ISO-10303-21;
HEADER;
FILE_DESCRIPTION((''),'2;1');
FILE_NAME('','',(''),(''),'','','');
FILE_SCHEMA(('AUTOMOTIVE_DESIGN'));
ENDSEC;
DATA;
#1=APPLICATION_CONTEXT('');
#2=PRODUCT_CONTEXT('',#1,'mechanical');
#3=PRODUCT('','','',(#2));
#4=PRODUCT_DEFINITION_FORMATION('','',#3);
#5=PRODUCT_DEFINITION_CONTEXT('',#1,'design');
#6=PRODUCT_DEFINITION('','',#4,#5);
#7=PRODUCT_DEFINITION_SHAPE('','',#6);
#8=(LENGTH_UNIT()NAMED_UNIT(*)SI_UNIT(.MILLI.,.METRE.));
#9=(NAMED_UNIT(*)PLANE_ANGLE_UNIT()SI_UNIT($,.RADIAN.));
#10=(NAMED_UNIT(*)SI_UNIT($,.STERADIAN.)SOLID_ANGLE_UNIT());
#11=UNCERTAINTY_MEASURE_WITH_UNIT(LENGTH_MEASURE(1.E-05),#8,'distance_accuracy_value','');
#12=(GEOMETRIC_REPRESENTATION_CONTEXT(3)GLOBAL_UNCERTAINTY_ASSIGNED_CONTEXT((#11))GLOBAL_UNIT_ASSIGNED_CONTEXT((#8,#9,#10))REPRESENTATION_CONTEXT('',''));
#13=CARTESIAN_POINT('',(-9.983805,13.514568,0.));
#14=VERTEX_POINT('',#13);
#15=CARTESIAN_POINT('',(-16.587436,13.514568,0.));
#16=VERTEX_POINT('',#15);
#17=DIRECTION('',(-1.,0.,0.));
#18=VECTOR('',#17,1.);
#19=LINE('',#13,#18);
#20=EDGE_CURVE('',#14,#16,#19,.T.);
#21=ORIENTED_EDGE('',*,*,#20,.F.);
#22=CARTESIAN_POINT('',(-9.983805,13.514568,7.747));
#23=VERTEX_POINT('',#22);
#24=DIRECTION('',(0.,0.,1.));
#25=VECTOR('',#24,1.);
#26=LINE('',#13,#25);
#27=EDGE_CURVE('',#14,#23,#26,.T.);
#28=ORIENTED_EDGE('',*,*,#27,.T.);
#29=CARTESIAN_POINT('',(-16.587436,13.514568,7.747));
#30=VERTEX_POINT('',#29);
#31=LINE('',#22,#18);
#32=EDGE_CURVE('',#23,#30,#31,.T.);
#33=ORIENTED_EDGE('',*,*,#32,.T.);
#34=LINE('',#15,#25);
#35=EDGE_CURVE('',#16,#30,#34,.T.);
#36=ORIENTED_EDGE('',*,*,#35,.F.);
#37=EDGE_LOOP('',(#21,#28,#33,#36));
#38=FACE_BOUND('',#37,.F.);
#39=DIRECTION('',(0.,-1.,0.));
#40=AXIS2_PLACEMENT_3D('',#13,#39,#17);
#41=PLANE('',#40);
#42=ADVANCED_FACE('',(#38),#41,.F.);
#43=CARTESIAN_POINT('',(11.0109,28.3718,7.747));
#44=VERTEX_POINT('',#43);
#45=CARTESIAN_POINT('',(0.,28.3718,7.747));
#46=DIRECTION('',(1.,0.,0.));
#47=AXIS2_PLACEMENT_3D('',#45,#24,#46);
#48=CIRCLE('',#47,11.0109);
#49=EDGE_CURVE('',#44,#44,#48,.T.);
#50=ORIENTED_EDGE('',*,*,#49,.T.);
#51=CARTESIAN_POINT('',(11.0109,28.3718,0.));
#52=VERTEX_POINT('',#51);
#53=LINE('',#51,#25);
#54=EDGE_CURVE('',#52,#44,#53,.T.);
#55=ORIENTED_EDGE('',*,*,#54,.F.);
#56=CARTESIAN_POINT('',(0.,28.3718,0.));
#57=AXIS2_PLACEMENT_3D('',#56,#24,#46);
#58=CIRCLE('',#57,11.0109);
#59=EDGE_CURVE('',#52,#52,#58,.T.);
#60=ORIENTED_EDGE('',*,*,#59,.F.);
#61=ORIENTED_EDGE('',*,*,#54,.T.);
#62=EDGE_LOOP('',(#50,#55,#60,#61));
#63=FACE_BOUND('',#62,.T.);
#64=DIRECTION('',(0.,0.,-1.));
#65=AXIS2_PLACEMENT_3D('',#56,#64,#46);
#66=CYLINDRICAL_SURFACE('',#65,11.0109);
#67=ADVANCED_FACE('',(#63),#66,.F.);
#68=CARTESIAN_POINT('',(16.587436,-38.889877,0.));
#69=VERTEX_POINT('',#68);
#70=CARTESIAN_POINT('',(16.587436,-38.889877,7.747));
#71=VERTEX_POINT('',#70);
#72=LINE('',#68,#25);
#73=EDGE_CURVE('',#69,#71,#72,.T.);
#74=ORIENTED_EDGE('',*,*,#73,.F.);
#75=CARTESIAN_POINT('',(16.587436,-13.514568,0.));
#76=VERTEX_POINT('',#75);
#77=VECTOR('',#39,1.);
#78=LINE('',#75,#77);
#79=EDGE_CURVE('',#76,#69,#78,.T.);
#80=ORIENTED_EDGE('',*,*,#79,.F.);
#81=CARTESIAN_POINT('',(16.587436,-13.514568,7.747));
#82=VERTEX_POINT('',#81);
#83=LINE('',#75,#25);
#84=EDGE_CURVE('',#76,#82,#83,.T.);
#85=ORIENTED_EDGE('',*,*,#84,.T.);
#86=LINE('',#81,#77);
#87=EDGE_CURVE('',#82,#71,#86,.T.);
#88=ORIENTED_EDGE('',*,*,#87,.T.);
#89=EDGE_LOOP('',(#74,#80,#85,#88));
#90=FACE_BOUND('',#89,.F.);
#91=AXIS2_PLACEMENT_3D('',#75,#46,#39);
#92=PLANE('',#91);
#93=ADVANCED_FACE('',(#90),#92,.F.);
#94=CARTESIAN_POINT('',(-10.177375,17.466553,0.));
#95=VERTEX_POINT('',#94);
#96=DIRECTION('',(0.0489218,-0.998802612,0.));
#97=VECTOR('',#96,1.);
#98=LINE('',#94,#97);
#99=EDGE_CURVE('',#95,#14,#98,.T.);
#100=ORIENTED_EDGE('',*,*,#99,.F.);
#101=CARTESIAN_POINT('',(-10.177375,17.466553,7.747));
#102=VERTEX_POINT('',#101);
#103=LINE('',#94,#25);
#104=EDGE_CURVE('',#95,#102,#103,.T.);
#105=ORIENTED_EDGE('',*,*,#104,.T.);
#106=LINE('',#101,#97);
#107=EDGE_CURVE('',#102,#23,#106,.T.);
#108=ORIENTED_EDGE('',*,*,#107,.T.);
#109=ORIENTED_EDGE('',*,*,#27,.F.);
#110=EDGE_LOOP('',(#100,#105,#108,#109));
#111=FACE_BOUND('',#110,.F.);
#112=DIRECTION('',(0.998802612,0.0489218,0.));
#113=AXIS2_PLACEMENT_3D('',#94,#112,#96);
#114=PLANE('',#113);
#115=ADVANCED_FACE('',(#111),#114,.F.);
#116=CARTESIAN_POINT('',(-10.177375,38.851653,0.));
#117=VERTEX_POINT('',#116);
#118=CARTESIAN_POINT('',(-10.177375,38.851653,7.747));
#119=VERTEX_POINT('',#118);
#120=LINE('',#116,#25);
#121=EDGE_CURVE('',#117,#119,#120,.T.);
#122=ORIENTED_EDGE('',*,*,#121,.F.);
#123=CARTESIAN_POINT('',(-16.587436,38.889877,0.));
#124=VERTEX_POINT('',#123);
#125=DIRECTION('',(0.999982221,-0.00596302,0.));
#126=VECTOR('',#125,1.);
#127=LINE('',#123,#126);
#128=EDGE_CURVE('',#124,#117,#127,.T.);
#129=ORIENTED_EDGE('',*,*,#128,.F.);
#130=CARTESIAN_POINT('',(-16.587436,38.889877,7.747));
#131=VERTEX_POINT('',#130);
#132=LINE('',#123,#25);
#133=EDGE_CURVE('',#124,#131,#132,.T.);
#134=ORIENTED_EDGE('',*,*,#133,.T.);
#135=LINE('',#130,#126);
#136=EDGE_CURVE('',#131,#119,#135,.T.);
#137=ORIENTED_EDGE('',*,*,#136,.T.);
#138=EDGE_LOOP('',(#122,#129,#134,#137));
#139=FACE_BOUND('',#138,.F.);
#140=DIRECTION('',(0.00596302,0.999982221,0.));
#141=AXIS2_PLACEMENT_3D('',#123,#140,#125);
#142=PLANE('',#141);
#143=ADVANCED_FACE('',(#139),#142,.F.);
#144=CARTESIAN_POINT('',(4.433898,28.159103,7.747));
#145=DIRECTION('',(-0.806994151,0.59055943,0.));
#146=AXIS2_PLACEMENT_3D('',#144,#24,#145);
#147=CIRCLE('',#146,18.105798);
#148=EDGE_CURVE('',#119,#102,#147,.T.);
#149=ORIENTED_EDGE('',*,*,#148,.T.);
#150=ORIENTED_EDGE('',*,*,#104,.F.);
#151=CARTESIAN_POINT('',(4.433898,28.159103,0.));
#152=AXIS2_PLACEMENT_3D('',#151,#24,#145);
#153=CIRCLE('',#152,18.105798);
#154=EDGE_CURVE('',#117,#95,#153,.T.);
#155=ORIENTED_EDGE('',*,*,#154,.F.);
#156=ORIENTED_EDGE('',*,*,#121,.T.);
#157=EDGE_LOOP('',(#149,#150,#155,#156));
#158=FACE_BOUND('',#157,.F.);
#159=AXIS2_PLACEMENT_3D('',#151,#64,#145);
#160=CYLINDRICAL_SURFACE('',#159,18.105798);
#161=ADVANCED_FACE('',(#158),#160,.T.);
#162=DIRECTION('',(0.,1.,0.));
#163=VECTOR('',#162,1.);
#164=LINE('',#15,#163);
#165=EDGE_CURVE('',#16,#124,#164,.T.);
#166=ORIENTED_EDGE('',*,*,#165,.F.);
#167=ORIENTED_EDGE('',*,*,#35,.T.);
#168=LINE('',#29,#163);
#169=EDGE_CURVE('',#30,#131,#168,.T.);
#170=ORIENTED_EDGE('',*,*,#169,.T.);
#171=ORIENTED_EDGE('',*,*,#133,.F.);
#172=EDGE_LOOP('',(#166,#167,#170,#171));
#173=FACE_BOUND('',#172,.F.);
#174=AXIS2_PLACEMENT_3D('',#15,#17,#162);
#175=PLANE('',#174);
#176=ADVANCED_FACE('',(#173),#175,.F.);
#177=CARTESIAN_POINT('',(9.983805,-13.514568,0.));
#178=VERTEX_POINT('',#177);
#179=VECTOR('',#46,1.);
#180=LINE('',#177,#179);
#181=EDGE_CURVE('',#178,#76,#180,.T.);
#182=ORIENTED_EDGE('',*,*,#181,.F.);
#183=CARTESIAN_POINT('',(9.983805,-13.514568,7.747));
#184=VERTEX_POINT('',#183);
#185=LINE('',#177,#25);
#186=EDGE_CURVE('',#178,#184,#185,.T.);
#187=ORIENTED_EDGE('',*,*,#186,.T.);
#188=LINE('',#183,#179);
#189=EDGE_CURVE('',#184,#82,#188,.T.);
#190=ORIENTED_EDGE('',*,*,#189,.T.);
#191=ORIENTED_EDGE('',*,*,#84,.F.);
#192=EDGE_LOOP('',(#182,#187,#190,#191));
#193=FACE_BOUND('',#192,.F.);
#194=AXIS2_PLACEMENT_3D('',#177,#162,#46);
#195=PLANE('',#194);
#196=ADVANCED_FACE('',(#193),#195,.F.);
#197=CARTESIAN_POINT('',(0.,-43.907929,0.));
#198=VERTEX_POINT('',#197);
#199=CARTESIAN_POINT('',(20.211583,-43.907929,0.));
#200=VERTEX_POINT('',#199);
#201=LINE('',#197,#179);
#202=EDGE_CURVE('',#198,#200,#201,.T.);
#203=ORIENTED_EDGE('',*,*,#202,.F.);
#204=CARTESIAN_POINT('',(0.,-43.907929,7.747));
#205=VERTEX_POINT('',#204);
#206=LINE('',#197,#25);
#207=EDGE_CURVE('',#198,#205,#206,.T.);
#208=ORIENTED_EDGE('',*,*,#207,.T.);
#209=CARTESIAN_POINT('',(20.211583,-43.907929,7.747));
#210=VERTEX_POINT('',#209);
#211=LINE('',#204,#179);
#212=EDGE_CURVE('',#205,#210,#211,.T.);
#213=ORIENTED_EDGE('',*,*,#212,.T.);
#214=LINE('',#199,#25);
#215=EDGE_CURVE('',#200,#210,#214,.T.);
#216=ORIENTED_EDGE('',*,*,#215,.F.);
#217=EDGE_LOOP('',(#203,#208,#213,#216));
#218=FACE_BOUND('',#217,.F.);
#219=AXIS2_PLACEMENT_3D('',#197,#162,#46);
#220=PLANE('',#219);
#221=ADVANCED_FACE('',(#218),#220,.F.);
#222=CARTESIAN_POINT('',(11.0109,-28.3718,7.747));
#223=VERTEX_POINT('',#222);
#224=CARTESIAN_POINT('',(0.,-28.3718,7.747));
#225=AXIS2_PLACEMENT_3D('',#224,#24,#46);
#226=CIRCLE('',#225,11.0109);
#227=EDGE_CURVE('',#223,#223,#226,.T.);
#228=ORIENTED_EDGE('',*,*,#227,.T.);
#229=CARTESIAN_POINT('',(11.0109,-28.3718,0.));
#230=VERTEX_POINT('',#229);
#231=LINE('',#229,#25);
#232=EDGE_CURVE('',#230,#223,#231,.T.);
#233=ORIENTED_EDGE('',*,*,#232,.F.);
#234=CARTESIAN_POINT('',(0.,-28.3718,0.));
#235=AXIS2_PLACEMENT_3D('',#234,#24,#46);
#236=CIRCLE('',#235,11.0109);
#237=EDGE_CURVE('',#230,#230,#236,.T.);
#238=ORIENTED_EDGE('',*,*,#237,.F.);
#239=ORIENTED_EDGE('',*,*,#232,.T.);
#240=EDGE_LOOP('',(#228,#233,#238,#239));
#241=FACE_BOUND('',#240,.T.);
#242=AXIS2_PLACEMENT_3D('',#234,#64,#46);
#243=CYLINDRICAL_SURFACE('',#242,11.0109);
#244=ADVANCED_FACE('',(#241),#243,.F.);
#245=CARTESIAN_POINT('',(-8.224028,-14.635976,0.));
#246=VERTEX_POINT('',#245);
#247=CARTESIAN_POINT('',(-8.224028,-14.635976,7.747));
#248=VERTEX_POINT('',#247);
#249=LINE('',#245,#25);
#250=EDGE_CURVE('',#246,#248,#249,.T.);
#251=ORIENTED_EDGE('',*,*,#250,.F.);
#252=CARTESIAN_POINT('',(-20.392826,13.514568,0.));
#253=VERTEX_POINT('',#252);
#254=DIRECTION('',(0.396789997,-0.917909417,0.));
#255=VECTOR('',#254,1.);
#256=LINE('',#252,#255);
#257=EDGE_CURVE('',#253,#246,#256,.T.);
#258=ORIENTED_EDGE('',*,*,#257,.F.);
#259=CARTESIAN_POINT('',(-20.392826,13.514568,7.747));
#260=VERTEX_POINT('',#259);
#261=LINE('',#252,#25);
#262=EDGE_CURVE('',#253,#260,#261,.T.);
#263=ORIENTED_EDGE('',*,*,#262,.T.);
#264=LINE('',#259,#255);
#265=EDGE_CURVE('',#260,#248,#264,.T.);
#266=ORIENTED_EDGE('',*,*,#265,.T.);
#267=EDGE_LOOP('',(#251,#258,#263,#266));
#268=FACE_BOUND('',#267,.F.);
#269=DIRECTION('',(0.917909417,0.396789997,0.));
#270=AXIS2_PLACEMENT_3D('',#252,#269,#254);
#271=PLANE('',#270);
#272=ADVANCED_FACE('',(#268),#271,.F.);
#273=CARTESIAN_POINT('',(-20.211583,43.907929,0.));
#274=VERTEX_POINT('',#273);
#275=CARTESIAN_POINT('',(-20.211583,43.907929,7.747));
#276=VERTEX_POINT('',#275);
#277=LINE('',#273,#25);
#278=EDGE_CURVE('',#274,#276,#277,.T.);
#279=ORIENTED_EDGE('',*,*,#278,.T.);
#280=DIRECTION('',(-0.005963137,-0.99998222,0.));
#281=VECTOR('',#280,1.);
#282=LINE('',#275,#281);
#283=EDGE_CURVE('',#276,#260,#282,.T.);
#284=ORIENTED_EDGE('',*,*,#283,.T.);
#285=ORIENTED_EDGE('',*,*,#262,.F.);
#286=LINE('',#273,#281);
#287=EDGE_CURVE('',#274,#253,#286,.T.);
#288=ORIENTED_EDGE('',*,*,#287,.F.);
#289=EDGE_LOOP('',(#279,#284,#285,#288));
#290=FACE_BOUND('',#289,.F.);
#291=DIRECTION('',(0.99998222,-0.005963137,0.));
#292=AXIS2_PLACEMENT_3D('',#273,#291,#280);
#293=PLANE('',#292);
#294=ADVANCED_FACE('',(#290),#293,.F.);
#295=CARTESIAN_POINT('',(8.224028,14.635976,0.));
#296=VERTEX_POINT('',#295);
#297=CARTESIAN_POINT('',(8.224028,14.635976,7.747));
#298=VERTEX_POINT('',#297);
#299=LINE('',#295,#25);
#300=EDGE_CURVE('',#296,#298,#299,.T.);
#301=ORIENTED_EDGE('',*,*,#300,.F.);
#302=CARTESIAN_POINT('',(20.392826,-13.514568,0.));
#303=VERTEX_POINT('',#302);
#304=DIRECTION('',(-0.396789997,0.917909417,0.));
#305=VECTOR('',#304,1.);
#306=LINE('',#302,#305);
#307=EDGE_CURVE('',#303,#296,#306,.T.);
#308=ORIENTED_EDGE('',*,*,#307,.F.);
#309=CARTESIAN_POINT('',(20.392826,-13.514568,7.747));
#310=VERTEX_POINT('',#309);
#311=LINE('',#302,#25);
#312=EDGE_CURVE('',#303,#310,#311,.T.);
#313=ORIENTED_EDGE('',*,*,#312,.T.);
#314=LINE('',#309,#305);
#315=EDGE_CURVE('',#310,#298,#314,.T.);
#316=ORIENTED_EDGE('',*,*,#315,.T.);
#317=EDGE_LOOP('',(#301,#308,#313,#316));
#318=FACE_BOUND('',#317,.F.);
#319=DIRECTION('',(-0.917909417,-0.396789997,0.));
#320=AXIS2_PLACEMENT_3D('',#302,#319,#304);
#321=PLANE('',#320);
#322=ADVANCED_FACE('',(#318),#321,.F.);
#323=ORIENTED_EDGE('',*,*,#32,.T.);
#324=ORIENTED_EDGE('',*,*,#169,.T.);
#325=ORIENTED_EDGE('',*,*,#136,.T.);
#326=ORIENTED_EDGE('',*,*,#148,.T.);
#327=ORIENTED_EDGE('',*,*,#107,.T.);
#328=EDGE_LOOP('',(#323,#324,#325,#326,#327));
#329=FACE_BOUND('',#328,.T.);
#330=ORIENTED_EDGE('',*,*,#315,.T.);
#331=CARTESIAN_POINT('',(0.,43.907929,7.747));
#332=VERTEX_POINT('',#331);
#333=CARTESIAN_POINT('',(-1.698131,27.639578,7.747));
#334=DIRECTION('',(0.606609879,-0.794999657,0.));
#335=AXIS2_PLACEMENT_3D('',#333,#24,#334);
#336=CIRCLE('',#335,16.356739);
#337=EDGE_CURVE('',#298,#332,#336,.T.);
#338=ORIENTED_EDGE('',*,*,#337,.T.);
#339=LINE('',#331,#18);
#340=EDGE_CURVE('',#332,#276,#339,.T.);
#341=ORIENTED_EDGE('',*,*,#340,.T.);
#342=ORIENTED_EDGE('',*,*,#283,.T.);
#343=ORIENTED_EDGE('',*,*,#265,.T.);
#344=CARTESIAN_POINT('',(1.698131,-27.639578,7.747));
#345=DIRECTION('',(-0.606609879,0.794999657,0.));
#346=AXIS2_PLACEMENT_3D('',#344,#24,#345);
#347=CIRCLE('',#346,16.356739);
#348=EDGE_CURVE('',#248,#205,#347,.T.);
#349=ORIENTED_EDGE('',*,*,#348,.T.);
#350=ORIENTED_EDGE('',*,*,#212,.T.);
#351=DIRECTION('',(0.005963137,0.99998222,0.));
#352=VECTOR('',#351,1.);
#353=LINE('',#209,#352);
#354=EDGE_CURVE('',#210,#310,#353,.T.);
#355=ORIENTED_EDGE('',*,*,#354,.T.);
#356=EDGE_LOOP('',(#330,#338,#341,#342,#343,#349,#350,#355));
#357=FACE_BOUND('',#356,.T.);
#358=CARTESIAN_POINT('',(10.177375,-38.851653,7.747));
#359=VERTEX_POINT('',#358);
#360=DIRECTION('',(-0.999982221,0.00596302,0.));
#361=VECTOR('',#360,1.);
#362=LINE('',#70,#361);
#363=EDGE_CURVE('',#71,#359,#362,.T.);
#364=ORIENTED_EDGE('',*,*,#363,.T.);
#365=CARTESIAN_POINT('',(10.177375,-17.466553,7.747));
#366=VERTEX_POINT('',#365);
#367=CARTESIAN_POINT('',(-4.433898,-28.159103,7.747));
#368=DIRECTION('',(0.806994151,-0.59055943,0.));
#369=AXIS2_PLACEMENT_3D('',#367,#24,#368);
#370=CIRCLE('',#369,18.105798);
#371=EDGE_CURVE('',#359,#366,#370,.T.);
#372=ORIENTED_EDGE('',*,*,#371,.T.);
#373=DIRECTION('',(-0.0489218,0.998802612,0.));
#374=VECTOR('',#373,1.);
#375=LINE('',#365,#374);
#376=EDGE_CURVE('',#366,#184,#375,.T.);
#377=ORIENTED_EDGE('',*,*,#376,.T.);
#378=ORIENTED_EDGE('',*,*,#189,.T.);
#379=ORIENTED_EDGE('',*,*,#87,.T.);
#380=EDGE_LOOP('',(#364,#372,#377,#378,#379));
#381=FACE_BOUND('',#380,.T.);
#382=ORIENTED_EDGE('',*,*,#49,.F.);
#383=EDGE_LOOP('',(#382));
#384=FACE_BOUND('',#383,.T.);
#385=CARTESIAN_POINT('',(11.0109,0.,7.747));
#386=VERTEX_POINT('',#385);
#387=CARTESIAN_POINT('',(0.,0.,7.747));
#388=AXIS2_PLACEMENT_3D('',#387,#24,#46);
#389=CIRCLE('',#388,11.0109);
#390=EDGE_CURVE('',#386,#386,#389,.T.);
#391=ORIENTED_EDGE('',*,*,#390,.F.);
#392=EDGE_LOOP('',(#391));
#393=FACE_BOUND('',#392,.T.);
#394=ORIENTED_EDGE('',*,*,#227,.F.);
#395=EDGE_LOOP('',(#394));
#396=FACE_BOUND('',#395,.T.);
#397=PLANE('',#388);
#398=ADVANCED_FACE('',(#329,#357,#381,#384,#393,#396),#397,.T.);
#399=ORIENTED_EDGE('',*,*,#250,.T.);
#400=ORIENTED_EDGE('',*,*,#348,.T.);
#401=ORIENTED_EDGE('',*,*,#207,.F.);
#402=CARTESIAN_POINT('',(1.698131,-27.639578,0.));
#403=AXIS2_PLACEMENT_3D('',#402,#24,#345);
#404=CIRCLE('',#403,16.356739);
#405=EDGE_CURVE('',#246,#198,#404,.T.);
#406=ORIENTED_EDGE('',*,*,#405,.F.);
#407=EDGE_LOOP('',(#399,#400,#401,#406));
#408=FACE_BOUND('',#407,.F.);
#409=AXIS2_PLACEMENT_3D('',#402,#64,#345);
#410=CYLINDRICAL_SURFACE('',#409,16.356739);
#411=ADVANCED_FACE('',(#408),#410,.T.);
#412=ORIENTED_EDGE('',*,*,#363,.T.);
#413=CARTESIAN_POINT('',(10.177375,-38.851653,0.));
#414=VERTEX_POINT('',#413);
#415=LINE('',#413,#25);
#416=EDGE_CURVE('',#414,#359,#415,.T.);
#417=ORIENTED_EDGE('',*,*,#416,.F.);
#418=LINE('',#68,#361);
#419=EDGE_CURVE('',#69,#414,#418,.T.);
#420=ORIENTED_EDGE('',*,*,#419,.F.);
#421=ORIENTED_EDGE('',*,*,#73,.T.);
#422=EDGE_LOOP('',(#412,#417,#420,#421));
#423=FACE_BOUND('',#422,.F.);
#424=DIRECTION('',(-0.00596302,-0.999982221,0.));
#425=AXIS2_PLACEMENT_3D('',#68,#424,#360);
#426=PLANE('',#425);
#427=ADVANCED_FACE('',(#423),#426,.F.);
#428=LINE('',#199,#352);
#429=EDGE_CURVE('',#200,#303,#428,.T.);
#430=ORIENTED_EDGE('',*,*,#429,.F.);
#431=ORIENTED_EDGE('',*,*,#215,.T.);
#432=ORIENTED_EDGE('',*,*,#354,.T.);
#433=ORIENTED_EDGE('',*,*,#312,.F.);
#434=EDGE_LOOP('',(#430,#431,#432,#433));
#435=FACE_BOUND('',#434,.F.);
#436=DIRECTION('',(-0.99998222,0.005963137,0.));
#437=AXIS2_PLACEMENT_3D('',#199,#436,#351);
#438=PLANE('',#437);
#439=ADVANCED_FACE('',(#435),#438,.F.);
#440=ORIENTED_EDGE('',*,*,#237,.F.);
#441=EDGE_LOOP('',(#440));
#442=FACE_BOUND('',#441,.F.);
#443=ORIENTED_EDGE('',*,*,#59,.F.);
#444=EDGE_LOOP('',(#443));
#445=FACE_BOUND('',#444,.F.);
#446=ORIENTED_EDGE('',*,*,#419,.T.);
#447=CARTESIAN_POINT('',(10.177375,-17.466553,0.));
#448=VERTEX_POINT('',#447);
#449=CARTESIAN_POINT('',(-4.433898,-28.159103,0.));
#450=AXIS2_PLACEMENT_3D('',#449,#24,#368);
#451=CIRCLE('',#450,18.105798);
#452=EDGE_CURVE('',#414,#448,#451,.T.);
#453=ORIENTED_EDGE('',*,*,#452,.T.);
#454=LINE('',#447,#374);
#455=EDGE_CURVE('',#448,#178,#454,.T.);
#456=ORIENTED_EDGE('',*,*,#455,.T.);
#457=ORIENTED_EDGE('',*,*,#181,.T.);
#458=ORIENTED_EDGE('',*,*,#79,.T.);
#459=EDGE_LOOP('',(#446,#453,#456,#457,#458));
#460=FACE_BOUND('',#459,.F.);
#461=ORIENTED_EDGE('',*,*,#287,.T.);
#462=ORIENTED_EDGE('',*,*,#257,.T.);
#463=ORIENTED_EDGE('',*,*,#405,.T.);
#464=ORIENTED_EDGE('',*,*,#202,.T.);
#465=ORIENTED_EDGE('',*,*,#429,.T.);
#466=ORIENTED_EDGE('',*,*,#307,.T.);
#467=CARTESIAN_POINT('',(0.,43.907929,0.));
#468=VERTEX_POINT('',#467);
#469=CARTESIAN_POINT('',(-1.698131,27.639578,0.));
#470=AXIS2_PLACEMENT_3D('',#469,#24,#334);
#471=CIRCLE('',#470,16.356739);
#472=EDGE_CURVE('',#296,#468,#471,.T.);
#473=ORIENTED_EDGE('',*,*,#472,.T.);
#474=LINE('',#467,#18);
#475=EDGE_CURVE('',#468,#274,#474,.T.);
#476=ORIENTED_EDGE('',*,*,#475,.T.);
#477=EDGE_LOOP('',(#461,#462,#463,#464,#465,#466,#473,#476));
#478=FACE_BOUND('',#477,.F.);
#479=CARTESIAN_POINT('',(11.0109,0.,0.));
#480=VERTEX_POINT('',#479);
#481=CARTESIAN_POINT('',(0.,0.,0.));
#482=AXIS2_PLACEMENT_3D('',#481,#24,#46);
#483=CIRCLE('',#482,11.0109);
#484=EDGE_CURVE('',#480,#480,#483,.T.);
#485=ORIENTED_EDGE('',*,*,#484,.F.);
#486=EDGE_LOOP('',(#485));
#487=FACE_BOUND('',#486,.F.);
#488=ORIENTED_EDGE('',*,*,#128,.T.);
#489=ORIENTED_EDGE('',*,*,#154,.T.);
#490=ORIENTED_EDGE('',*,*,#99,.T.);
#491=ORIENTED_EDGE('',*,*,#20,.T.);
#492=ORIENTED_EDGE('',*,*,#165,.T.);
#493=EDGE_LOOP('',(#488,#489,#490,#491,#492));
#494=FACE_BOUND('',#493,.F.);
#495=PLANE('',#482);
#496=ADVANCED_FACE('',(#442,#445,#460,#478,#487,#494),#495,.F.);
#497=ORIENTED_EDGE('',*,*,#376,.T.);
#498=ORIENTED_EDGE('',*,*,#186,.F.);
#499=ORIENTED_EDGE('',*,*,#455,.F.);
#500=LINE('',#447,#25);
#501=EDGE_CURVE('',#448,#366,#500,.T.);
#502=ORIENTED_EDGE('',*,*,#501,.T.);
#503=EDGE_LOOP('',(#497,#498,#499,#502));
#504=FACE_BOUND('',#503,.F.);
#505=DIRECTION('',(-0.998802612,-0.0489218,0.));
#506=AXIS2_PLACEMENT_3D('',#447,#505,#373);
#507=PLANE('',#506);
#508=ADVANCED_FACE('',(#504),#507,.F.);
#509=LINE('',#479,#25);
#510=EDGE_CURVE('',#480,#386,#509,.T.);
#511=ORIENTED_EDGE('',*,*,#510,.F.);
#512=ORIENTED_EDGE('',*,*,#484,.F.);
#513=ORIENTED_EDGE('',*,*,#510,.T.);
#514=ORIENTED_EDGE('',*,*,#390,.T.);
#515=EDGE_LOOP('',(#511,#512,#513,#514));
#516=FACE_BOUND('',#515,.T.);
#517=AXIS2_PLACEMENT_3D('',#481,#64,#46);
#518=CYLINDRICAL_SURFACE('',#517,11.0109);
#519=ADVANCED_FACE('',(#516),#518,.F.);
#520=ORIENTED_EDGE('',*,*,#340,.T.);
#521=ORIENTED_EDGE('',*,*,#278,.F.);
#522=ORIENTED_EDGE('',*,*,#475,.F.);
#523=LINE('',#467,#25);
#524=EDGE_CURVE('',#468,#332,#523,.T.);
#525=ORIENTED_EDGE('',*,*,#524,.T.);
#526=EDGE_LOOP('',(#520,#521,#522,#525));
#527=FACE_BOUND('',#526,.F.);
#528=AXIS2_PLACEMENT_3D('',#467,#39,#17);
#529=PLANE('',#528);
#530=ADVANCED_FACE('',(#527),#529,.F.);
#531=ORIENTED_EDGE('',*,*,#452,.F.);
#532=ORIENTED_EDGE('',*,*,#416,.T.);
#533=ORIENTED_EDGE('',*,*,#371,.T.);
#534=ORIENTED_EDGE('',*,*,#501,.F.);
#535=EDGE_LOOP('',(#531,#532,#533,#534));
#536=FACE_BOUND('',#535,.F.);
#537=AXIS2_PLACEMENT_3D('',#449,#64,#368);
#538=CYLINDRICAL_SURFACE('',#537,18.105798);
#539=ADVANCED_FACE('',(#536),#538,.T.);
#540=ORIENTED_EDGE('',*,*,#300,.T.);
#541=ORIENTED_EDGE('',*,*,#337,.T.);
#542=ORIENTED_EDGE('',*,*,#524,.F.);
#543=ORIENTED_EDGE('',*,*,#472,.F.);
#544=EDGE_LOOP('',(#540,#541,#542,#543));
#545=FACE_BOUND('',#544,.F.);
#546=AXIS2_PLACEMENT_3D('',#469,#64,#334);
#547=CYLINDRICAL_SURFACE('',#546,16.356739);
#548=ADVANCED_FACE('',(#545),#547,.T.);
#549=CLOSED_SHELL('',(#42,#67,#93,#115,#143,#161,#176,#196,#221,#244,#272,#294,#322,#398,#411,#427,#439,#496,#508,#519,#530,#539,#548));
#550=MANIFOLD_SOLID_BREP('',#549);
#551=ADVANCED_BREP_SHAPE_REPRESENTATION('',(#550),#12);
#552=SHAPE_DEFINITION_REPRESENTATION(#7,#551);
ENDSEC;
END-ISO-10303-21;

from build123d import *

# Parameters (mm, degrees)
F0_R     = 11.0109
F1_DEPTH = 7.747


with BuildPart() as f1:
    # F0 (on Top) → F1 (new body)
    with BuildSketch(Plane.XY):
        with BuildLine():
            Line((20.392826, -13.514568), (8.224028, 14.635976))
            ThreePointArc((8.224028, 14.635976), (14.048919, 32.063751), (0, 43.907929))
            Line((0, 43.907929), (-20.211583, 43.907929))
            Line((-20.211583, 43.907929), (-20.392826, 13.514568))
            Line((-20.392826, 13.514568), (-8.224028, -14.635976))
            ThreePointArc((-8.224028, -14.635976), (-14.048919, -32.063751), (0, -43.907929))
            Line((0, -43.907929), (20.211583, -43.907929))
            Line((20.211583, -43.907929), (20.392826, -13.514568))
        make_face()
        with Locations((0, -28.3718)):
            Circle(F0_R, mode=Mode.SUBTRACT)
        with BuildLine():
            Line((16.587436, -13.514568), (16.587436, -38.889877))
            Line((16.587436, -38.889877), (10.177375, -38.851653))
            ThreePointArc((10.177375, -38.851653), (13.6719, -28.159103), (10.177375, -17.466553))
            Line((10.177375, -17.466553), (9.983805, -13.514568))
            Line((9.983805, -13.514568), (16.587436, -13.514568))
        make_face(mode=Mode.SUBTRACT)
        with BuildLine():
            Line((-16.587436, 13.514568), (-16.587436, 38.889877))
            Line((-16.587436, 38.889877), (-10.177375, 38.851653))
            ThreePointArc((-10.177375, 38.851653), (-13.6719, 28.159103), (-10.177375, 17.466553))
            Line((-10.177375, 17.466553), (-9.983805, 13.514568))
            Line((-9.983805, 13.514568), (-16.587436, 13.514568))
        make_face(mode=Mode.SUBTRACT)
        Circle(F0_R, mode=Mode.SUBTRACT)
        with Locations((0, 28.3718)):
            Circle(F0_R, mode=Mode.SUBTRACT)
    extrude(amount=F1_DEPTH)


solid = f1.part
